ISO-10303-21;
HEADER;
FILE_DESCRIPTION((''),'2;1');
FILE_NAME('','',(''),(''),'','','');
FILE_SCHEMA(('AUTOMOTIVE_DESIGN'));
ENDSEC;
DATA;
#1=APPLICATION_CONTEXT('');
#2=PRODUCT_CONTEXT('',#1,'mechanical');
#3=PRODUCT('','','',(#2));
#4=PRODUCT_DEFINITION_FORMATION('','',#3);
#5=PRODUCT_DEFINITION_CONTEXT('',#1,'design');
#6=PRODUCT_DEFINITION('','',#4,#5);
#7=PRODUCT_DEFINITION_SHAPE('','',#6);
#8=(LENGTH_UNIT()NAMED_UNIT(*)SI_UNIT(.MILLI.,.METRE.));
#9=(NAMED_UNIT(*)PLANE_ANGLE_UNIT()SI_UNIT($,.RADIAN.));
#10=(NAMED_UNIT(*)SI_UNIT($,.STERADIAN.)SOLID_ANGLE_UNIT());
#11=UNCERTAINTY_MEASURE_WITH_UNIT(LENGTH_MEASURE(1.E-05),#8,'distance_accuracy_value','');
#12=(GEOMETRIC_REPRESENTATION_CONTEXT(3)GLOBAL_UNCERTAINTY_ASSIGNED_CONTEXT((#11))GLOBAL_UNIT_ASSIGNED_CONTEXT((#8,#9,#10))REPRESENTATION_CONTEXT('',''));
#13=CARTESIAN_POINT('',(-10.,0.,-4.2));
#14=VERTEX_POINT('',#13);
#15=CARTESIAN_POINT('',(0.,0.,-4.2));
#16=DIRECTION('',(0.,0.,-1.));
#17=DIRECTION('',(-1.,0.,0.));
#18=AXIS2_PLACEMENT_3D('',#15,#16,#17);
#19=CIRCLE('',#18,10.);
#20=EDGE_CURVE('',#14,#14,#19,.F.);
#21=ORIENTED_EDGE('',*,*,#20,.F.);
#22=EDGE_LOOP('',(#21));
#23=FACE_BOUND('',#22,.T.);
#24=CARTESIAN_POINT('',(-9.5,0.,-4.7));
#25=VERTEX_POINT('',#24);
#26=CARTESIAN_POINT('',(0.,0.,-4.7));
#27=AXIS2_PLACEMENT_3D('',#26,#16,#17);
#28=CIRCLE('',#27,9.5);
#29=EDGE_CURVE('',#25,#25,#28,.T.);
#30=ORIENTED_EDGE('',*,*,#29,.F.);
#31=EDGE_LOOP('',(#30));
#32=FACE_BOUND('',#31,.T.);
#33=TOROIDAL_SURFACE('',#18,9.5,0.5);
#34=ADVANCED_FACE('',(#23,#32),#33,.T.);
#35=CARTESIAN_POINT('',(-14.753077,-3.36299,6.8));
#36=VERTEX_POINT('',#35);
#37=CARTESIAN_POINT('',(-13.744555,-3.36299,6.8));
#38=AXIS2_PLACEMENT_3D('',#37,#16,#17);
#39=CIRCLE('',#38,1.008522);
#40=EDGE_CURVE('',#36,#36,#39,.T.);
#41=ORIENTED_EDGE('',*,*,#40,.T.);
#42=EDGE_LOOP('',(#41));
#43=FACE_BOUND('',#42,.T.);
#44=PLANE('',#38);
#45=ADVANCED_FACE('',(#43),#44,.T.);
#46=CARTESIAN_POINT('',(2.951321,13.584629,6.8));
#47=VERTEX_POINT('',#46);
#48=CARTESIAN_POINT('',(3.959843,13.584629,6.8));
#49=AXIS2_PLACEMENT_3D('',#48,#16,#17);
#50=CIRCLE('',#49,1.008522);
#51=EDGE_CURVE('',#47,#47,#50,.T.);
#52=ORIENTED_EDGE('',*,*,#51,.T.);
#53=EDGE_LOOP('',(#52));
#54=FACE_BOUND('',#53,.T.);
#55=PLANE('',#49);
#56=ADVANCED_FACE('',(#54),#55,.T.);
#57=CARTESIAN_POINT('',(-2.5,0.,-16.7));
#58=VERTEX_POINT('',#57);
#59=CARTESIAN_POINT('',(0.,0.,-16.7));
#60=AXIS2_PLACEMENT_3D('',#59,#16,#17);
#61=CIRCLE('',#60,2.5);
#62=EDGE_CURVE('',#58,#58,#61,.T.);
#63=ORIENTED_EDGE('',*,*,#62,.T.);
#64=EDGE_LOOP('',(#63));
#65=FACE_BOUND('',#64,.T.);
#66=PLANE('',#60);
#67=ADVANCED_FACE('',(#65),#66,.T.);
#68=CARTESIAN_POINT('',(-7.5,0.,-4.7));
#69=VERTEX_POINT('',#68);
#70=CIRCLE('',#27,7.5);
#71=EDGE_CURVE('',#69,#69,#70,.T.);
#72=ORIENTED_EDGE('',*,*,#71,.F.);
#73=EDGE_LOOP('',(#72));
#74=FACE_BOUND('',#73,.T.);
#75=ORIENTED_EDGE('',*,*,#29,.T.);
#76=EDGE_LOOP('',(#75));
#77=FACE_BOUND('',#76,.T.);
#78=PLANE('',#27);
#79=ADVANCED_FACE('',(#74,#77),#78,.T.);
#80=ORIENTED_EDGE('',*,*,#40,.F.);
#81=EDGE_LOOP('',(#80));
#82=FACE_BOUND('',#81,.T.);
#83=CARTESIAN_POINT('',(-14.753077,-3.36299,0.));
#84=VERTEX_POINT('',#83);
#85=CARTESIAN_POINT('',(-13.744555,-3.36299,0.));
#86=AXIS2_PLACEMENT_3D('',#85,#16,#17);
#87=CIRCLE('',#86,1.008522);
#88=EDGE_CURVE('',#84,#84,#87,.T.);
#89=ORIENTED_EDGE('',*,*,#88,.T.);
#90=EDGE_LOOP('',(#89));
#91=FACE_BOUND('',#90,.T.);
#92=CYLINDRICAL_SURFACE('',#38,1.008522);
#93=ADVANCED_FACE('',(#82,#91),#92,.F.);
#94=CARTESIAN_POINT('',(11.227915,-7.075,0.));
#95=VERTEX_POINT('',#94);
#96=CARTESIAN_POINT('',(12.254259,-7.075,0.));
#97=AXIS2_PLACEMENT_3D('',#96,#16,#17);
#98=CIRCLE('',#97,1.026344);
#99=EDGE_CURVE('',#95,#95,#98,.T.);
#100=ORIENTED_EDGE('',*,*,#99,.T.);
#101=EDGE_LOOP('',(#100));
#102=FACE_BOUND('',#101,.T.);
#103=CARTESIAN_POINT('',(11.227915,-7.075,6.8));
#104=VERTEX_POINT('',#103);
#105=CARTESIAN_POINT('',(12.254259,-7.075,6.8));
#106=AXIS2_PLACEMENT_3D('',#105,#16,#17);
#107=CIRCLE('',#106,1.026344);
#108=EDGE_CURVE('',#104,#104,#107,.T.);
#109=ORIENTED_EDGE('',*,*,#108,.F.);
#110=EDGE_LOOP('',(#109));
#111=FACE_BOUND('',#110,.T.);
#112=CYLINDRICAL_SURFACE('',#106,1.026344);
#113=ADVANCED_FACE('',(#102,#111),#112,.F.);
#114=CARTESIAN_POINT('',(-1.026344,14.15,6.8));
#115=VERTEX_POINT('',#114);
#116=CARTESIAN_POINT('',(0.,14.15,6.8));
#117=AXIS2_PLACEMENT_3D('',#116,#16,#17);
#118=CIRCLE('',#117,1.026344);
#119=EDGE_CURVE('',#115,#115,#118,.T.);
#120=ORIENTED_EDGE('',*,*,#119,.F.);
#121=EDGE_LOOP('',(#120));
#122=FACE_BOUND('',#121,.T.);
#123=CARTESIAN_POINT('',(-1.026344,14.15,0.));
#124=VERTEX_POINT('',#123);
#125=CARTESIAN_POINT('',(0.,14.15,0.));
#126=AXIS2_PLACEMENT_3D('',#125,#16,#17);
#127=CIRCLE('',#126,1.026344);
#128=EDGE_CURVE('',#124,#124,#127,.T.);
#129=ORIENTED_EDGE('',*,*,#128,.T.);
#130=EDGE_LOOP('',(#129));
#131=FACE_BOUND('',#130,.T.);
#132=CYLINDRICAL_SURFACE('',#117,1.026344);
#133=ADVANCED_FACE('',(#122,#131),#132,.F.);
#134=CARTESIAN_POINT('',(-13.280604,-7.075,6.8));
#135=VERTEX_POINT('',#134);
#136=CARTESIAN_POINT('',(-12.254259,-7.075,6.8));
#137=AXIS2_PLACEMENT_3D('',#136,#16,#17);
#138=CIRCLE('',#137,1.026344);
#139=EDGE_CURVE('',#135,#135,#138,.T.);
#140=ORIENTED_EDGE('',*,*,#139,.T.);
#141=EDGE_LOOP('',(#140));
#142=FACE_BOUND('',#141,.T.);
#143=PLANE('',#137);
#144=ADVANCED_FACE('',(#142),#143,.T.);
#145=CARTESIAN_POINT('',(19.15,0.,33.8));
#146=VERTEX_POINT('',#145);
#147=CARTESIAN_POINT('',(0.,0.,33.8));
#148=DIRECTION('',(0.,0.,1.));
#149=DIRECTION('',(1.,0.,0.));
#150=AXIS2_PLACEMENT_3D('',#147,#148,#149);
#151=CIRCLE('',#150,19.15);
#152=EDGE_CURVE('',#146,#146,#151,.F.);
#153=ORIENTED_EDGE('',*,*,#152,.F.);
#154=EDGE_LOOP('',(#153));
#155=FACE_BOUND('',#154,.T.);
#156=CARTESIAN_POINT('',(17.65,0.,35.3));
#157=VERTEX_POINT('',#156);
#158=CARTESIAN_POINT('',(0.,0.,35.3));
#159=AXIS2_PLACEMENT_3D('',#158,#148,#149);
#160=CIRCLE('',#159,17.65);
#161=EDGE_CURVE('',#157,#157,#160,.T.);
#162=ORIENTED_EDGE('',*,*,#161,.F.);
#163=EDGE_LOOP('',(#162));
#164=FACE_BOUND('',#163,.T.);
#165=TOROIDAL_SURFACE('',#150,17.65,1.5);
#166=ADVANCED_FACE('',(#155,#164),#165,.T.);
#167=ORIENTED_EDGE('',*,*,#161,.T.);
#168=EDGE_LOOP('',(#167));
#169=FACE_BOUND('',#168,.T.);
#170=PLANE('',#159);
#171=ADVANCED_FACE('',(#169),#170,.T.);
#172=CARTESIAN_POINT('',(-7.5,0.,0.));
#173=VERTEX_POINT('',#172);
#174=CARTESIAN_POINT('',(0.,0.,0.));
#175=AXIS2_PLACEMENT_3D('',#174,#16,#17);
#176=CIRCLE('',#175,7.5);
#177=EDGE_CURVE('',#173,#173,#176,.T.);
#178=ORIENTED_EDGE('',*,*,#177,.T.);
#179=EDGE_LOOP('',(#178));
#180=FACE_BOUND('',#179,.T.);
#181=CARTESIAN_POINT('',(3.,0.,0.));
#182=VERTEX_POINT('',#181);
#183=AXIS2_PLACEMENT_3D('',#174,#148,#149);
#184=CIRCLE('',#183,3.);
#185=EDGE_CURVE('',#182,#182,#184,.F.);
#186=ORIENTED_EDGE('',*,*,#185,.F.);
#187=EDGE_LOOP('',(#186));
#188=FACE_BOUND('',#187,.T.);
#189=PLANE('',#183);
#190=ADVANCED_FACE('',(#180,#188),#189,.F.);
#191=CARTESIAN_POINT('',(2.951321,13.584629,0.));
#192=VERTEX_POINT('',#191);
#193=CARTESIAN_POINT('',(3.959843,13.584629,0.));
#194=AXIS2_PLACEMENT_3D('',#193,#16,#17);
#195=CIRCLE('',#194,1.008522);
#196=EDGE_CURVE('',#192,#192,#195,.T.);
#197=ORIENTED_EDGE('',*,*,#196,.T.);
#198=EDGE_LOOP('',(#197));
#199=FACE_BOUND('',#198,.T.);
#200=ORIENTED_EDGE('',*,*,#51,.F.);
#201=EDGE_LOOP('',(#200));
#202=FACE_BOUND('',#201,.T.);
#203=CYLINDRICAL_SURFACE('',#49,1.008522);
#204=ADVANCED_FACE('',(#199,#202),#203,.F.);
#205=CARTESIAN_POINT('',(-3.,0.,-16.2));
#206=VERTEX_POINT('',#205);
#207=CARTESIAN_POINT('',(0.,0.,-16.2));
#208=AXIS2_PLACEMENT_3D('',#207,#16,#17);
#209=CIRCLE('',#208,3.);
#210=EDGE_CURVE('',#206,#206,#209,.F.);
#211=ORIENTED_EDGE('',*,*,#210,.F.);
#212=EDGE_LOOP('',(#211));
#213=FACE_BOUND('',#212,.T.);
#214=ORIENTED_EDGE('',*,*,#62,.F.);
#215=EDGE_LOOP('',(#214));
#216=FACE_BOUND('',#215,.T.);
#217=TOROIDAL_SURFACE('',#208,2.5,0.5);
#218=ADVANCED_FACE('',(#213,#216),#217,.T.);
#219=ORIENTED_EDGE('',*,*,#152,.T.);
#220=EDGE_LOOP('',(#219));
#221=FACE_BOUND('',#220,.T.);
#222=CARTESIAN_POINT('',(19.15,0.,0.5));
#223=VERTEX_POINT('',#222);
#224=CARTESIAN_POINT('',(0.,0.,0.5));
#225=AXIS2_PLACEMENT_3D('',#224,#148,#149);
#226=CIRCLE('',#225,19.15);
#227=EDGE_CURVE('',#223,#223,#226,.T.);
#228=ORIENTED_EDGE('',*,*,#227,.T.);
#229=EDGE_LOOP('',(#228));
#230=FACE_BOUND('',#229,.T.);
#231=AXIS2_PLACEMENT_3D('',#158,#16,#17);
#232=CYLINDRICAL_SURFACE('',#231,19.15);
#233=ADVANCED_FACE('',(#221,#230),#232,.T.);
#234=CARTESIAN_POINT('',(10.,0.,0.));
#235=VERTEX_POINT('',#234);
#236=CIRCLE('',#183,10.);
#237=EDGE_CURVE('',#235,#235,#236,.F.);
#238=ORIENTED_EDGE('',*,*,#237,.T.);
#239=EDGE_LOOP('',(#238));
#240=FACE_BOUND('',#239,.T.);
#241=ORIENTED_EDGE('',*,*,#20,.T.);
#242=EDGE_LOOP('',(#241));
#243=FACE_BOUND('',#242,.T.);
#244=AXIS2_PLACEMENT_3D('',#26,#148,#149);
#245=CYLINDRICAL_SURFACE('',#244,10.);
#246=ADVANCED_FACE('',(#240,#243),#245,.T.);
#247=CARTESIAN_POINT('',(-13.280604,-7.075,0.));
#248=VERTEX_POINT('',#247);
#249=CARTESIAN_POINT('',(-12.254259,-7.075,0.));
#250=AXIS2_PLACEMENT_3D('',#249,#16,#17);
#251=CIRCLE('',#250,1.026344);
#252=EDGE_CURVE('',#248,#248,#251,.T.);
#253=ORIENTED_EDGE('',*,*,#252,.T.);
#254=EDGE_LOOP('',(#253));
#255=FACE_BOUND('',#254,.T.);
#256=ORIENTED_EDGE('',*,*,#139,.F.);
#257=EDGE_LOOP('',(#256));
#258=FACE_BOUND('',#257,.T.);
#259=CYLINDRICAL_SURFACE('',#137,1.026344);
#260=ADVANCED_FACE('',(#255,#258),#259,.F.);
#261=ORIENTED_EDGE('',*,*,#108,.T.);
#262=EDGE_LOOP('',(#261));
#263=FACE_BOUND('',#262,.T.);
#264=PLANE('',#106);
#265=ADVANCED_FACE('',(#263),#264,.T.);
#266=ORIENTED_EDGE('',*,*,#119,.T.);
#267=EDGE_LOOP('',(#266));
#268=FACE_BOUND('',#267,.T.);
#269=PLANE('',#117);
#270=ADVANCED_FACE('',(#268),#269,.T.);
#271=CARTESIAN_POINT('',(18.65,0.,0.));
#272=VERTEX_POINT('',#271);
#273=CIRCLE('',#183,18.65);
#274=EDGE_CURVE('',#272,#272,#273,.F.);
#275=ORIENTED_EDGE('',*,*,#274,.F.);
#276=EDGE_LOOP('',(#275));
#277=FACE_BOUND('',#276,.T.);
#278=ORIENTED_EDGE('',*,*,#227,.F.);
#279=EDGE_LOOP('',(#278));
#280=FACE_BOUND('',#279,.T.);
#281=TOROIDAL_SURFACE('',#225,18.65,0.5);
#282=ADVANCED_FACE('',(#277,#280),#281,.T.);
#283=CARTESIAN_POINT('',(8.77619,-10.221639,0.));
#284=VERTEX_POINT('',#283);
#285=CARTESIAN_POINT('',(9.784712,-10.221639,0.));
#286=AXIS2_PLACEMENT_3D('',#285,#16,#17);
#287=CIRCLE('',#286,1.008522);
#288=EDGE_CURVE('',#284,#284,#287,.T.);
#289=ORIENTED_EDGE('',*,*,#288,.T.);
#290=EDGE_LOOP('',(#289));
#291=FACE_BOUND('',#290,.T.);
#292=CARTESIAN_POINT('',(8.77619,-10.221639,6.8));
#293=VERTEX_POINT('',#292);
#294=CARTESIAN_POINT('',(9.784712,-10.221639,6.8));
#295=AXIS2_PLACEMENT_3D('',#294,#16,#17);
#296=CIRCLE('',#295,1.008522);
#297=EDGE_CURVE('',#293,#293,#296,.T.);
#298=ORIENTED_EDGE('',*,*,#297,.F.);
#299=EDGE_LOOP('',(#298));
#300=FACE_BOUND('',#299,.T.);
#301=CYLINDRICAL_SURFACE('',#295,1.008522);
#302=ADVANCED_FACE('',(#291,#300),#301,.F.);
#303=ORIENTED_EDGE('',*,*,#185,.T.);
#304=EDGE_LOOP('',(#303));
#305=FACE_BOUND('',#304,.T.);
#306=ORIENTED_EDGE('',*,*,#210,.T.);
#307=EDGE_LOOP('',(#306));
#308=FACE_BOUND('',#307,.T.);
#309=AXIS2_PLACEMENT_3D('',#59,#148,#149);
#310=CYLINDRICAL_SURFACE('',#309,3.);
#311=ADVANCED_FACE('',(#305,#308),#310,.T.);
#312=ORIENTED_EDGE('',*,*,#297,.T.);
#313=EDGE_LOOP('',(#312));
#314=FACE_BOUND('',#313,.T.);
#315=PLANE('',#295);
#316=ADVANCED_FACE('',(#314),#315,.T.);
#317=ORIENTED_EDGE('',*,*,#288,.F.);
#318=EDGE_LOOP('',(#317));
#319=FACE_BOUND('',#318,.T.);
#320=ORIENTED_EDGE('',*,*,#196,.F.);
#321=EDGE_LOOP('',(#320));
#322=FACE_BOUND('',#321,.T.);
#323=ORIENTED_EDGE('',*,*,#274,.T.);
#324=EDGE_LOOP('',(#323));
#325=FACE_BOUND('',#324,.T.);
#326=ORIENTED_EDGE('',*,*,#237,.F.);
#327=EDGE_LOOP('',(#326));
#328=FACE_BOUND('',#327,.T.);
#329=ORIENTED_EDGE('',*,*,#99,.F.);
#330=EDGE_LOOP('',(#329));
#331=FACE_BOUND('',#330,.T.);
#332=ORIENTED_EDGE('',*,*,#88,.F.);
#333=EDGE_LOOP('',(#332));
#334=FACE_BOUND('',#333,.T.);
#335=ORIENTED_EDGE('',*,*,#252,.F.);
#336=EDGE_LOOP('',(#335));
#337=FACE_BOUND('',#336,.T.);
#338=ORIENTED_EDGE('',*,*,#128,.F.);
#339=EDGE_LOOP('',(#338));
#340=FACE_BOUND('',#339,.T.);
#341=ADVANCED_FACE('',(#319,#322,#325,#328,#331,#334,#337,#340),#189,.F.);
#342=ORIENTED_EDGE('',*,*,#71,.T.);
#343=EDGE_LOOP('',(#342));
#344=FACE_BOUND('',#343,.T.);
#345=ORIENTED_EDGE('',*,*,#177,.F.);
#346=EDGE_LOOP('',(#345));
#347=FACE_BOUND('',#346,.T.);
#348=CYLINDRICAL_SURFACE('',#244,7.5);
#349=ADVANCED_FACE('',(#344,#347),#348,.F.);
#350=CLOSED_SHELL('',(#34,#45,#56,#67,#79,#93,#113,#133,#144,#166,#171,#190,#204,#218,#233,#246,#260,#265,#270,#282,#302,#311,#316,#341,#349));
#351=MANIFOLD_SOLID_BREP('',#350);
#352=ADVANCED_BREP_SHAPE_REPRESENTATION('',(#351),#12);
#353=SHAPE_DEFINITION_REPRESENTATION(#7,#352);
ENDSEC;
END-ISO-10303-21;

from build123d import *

# Parameters (mm, degrees)
SKETCH1_R           = 19.15
BOSS_EXTRUDE1_DEPTH = 35.3
SKETCH2_R           = 10
SKETCH2_R_2         = 7.5
BOSS_EXTRUDE2_DEPTH = 4.7
SKETCH3_R           = 3
BOSS_EXTRUDE3_DEPTH = 16.7
SKETCH4_R           = 1.008522138
SKETCH4_R_2         = 1.026344308
CUT_EXTRUDE1_DEPTH  = 6.8
FILLET1_R           = 1.5
FILLET2_R           = 0.5
FILLET3_R           = 0.5
FILLET4_R           = 0.5


with BuildPart() as part:
    # Sketch1 → Boss-Extrude1 (new body)
    with BuildSketch(Plane.XY):
        Circle(SKETCH1_R)
    extrude(amount=BOSS_EXTRUDE1_DEPTH)

    # Sketch2 → Boss-Extrude2 (add)
    with BuildSketch(Plane(origin=(0, 0, 0), x_dir=(-1, 0, 0), z_dir=(0, 0, -1))):
        Circle(SKETCH2_R)
        Circle(SKETCH2_R_2, mode=Mode.SUBTRACT)
    extrude(amount=BOSS_EXTRUDE2_DEPTH)

    # Sketch3 → Boss-Extrude3 (add)
    with BuildSketch(Plane(origin=(0, 0, 0), x_dir=(-1, 0, 0), z_dir=(0, 0, -1))):
        Circle(SKETCH3_R)
    extrude(amount=BOSS_EXTRUDE3_DEPTH)

    # Sketch4 → Cut-Extrude1 (cut)
    with BuildSketch(Plane(origin=(0, 0, 0), x_dir=(-1, 0, 0), z_dir=(0, 0, -1))):
        with Locations((-3.959842876, 13.584628975)):
            Circle(SKETCH4_R)
        with Locations((0, 14.15)):
            Circle(SKETCH4_R_2)
        with Locations((12.254259464, -7.075)):
            Circle(SKETCH4_R_2)
        with Locations((13.744555232, -3.362989962)):
            Circle(SKETCH4_R)
        with Locations((-12.254259464, -7.075)):
            Circle(SKETCH4_R_2)
        with Locations((-9.784712355, -10.221639013)):
            Circle(SKETCH4_R)
    extrude(amount=-CUT_EXTRUDE1_DEPTH, mode=Mode.SUBTRACT)

    # Fillet1
    fillet1_edges = [part.edges().sort_by_distance(p)[0] for p in [
        (-19.15, 0, 35.3),
    ]]
    fillet(fillet1_edges, radius=FILLET1_R)

    # Fillet2
    fillet2_edges = [part.edges().sort_by_distance(p)[0] for p in [
        (3, 0, -16.7),
    ]]
    fillet(fillet2_edges, radius=FILLET2_R)

    # Fillet3
    fillet3_edges = [part.edges().sort_by_distance(p)[0] for p in [
        (10, 0, -4.7),
    ]]
    fillet(fillet3_edges, radius=FILLET3_R)

    # Fillet4
    fillet4_edges = [part.edges().sort_by_distance(p)[0] for p in [
        (-19.15, 0, 0),
    ]]
    fillet(fillet4_edges, radius=FILLET4_R)


solid = part.part
